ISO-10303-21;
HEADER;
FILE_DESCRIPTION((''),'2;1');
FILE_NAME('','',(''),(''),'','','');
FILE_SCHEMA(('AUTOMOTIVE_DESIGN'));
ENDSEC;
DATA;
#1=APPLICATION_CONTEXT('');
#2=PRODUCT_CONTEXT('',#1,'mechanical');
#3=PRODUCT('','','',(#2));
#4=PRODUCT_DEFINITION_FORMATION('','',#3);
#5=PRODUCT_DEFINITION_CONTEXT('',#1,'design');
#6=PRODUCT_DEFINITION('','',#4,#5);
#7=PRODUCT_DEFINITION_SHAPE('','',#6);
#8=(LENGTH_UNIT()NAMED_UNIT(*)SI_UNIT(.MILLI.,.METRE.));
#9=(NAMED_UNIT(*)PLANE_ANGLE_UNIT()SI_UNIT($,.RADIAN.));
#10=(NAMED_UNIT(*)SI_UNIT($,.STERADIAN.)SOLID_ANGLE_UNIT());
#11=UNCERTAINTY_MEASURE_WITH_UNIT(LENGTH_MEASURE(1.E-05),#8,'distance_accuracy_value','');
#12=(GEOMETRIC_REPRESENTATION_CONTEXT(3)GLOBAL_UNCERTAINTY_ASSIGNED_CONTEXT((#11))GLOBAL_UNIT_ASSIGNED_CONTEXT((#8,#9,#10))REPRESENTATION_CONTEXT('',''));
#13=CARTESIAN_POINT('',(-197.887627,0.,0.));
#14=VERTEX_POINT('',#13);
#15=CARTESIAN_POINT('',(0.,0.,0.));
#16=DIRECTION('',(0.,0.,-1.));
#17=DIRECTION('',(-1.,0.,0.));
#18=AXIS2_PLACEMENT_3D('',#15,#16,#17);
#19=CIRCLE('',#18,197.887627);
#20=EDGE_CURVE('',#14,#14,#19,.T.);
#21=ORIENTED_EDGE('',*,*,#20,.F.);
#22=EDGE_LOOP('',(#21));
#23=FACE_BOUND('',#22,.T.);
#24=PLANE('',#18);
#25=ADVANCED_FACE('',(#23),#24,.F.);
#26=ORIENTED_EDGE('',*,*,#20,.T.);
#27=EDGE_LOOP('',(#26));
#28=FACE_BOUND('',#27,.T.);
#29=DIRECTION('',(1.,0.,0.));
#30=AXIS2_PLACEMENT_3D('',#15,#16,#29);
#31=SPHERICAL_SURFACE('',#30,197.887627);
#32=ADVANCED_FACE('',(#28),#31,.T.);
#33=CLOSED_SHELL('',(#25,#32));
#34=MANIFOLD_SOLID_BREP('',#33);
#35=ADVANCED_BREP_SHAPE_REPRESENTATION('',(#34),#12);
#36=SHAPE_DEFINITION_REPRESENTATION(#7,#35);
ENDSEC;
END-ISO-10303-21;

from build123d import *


with BuildPart() as part:
    # Sketch1 → Revolve2 (revolve)
    with BuildSketch(Plane(origin=(0, 0, 0), x_dir=(1, 0, 0), z_dir=(0, 1, 0))):
        with BuildLine():
            Line((0, 197.887626784), (0, 0))
            Line((0, 0), (197.887626784, 0))
            ThreePointArc((197.887626784, 0), (139.927682812, 139.927682812), (0, 197.887626784))
        make_face()
    revolve(axis=Axis((0, 0, -197.887626784), (0, 0, 1)))


solid = part.part
